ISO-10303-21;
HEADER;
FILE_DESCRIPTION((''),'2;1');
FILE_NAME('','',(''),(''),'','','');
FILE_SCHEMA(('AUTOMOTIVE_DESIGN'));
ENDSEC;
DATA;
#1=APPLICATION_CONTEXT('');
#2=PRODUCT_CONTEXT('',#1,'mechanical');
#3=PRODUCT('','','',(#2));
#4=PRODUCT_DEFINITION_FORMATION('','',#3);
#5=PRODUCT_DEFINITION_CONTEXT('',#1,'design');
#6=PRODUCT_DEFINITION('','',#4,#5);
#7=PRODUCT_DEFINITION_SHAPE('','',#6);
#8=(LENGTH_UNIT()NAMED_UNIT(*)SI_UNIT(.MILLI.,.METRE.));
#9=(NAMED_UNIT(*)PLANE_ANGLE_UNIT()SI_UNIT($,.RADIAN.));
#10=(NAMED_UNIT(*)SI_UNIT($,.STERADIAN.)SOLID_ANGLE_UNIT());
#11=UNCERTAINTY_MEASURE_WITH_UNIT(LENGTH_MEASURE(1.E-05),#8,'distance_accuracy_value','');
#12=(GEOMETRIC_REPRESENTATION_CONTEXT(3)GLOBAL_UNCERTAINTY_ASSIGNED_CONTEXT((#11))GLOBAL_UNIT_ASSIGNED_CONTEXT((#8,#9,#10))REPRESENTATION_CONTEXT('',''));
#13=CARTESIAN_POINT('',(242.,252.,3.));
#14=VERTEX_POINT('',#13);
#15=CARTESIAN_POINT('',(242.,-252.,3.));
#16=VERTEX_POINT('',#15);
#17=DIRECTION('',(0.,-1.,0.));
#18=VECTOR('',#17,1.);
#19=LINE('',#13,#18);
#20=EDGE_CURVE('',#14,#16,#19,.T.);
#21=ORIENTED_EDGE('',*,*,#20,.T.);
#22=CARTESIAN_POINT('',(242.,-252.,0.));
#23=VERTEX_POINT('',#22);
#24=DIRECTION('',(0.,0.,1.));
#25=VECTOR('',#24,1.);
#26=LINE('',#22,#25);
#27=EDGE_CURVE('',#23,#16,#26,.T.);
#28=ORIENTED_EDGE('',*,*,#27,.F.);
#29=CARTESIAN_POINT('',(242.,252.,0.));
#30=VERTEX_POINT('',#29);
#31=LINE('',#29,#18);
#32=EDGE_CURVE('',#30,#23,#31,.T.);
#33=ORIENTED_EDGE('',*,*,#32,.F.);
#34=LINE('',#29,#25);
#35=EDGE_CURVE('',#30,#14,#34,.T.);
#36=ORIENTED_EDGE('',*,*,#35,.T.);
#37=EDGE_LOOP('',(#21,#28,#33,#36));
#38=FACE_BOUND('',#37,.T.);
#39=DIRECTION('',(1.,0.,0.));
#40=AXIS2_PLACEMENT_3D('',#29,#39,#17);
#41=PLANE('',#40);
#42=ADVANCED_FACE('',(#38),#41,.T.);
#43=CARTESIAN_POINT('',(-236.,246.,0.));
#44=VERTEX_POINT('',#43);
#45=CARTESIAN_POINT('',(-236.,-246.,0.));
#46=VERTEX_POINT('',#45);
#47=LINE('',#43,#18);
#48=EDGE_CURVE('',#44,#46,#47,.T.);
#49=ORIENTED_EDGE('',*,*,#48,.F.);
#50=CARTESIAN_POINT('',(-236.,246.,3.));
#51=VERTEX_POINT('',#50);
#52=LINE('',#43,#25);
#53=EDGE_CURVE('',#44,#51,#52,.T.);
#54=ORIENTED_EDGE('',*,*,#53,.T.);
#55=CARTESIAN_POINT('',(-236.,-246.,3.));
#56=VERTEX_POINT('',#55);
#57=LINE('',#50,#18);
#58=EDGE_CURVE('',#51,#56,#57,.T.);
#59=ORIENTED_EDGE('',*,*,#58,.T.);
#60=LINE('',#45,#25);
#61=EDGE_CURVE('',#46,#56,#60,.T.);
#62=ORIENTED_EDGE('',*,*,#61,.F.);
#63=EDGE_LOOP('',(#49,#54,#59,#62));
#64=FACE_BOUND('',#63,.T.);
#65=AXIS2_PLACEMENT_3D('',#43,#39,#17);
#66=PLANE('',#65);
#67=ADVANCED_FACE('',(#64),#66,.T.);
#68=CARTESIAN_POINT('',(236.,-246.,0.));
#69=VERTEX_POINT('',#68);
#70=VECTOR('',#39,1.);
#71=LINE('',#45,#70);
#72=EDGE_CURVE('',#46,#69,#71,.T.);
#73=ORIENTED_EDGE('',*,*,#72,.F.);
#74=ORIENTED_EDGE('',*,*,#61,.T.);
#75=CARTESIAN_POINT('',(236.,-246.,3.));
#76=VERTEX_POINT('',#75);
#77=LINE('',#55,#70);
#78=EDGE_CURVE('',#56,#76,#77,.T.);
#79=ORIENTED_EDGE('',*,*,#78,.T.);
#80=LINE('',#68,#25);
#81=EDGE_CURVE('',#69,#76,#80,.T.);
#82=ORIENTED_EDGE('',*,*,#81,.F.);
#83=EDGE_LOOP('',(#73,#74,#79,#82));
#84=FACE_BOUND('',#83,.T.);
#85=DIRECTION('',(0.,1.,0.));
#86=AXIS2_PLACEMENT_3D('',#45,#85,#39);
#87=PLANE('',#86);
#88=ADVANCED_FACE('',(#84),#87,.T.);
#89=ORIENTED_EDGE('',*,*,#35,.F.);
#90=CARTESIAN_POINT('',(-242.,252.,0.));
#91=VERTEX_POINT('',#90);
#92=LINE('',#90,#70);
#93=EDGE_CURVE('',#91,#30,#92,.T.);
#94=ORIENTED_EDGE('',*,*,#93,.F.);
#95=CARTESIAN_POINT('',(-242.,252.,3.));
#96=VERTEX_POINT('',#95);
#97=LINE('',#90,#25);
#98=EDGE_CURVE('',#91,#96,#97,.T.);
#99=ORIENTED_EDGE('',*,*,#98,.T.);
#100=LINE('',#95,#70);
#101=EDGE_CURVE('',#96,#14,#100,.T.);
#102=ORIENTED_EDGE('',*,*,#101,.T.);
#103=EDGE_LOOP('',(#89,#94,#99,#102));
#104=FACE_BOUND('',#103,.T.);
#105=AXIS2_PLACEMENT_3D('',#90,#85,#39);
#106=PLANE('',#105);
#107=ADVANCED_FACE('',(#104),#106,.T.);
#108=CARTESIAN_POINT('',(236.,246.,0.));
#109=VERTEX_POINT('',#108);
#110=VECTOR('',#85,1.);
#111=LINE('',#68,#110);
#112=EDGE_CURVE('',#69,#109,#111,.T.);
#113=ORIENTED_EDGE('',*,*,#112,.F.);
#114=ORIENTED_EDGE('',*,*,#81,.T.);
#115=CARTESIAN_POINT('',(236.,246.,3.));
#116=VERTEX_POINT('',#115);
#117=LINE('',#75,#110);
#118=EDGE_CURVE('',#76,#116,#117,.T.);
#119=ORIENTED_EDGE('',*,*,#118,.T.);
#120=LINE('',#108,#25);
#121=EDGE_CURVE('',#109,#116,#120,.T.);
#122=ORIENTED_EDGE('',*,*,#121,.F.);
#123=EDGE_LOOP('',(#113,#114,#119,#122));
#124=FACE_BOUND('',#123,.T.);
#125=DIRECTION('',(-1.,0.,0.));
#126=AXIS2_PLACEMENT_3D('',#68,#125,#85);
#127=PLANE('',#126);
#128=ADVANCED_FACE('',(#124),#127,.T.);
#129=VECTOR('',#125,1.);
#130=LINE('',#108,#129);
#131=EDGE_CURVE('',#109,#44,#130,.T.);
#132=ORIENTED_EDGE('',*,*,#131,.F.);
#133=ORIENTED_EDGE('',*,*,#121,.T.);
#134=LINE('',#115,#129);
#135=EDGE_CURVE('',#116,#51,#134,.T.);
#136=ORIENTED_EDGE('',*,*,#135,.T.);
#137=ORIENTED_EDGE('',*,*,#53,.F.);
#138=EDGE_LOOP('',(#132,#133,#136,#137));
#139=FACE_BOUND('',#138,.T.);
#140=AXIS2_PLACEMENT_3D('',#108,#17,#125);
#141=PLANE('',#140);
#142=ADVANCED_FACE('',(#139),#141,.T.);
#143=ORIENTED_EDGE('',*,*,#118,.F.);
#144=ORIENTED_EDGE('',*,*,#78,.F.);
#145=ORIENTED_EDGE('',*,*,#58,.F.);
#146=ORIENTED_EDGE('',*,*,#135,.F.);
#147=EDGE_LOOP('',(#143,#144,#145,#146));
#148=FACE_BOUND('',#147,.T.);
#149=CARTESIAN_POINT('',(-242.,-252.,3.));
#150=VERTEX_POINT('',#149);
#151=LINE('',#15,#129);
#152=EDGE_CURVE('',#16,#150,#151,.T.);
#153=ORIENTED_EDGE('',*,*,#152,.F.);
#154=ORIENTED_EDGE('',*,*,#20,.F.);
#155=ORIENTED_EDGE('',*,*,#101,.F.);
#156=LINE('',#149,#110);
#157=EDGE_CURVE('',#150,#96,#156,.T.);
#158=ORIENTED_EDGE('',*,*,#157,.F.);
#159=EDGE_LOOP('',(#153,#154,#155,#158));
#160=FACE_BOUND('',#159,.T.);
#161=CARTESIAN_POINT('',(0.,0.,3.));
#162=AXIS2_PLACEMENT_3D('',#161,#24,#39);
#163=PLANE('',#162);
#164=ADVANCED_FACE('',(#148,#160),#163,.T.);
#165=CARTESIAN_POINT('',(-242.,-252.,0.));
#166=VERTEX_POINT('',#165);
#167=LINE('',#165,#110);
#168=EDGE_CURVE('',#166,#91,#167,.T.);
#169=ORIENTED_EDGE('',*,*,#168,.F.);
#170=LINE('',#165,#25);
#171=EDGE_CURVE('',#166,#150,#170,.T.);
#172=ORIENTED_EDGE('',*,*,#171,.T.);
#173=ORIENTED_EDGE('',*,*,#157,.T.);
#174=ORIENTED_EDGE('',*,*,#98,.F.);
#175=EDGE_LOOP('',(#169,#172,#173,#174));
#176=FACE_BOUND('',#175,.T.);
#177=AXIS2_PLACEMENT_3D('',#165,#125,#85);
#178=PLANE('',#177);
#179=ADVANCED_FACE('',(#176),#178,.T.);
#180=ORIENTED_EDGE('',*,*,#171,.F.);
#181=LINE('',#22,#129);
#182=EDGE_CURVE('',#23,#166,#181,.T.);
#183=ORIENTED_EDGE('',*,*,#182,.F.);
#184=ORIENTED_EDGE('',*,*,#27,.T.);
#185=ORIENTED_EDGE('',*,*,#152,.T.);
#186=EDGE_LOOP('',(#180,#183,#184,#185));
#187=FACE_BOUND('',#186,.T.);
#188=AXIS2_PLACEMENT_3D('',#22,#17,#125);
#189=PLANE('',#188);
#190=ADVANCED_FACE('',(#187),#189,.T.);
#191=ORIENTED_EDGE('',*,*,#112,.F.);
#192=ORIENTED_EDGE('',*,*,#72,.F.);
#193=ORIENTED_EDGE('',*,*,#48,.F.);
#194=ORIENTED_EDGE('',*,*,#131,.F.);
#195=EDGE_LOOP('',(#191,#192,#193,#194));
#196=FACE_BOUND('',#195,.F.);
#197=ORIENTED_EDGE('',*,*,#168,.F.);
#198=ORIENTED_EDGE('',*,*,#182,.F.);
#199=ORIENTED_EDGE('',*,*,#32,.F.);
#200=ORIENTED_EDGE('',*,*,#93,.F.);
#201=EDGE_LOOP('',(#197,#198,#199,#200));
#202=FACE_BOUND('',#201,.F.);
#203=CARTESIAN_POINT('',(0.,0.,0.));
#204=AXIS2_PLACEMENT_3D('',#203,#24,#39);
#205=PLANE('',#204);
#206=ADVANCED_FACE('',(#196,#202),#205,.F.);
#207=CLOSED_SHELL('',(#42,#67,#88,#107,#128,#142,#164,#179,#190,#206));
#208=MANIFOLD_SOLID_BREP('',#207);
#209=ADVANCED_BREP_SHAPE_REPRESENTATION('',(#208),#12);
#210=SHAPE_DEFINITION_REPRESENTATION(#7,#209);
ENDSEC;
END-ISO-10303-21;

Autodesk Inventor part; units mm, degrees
ref_plane "YZ Plane" through (0, 0, 0) normal (1, 0, 0) x (0, 1, 0)
ref_plane "XZ Plane" through (0, 0, 0) normal (0, 1, 0) x (-1, 0, 0)
ref_plane "XY Plane" through (0, 0, 0) normal (0, 0, 1) x (1, 0, 0)
sketch "Skizze1" plane through (0, 0, 0) normal (0, 0, 1) x (1, 0, 0)
  line L0 (242, -252) -> (-242, -252)
  line L1 (-242, -252) -> (-242, 252)
  line L2 (-242, 252) -> (242, 252)
  line L3 (242, 252) -> (242, -252)
  line L4 (242, -252) -> (-242, 252) construction
  line L5 (-242, -252) -> (242, 252) construction
  line L6 (236, 246) -> (-236, 246)
  line L7 (-236, 246) -> (-236, -246)
  line L8 (-236, -246) -> (236, -246)
  line L9 (236, -246) -> (236, 246)
  point P0 (0, 0)
  dimension "d0" = 484
  dimension "d1" = 504
  dimension "d2" = 6
extrude "Extrusion1" add sketch "Skizze1" along normal blind 3
properties part number "Foamtape Side" material "Gummi, Silikon"
